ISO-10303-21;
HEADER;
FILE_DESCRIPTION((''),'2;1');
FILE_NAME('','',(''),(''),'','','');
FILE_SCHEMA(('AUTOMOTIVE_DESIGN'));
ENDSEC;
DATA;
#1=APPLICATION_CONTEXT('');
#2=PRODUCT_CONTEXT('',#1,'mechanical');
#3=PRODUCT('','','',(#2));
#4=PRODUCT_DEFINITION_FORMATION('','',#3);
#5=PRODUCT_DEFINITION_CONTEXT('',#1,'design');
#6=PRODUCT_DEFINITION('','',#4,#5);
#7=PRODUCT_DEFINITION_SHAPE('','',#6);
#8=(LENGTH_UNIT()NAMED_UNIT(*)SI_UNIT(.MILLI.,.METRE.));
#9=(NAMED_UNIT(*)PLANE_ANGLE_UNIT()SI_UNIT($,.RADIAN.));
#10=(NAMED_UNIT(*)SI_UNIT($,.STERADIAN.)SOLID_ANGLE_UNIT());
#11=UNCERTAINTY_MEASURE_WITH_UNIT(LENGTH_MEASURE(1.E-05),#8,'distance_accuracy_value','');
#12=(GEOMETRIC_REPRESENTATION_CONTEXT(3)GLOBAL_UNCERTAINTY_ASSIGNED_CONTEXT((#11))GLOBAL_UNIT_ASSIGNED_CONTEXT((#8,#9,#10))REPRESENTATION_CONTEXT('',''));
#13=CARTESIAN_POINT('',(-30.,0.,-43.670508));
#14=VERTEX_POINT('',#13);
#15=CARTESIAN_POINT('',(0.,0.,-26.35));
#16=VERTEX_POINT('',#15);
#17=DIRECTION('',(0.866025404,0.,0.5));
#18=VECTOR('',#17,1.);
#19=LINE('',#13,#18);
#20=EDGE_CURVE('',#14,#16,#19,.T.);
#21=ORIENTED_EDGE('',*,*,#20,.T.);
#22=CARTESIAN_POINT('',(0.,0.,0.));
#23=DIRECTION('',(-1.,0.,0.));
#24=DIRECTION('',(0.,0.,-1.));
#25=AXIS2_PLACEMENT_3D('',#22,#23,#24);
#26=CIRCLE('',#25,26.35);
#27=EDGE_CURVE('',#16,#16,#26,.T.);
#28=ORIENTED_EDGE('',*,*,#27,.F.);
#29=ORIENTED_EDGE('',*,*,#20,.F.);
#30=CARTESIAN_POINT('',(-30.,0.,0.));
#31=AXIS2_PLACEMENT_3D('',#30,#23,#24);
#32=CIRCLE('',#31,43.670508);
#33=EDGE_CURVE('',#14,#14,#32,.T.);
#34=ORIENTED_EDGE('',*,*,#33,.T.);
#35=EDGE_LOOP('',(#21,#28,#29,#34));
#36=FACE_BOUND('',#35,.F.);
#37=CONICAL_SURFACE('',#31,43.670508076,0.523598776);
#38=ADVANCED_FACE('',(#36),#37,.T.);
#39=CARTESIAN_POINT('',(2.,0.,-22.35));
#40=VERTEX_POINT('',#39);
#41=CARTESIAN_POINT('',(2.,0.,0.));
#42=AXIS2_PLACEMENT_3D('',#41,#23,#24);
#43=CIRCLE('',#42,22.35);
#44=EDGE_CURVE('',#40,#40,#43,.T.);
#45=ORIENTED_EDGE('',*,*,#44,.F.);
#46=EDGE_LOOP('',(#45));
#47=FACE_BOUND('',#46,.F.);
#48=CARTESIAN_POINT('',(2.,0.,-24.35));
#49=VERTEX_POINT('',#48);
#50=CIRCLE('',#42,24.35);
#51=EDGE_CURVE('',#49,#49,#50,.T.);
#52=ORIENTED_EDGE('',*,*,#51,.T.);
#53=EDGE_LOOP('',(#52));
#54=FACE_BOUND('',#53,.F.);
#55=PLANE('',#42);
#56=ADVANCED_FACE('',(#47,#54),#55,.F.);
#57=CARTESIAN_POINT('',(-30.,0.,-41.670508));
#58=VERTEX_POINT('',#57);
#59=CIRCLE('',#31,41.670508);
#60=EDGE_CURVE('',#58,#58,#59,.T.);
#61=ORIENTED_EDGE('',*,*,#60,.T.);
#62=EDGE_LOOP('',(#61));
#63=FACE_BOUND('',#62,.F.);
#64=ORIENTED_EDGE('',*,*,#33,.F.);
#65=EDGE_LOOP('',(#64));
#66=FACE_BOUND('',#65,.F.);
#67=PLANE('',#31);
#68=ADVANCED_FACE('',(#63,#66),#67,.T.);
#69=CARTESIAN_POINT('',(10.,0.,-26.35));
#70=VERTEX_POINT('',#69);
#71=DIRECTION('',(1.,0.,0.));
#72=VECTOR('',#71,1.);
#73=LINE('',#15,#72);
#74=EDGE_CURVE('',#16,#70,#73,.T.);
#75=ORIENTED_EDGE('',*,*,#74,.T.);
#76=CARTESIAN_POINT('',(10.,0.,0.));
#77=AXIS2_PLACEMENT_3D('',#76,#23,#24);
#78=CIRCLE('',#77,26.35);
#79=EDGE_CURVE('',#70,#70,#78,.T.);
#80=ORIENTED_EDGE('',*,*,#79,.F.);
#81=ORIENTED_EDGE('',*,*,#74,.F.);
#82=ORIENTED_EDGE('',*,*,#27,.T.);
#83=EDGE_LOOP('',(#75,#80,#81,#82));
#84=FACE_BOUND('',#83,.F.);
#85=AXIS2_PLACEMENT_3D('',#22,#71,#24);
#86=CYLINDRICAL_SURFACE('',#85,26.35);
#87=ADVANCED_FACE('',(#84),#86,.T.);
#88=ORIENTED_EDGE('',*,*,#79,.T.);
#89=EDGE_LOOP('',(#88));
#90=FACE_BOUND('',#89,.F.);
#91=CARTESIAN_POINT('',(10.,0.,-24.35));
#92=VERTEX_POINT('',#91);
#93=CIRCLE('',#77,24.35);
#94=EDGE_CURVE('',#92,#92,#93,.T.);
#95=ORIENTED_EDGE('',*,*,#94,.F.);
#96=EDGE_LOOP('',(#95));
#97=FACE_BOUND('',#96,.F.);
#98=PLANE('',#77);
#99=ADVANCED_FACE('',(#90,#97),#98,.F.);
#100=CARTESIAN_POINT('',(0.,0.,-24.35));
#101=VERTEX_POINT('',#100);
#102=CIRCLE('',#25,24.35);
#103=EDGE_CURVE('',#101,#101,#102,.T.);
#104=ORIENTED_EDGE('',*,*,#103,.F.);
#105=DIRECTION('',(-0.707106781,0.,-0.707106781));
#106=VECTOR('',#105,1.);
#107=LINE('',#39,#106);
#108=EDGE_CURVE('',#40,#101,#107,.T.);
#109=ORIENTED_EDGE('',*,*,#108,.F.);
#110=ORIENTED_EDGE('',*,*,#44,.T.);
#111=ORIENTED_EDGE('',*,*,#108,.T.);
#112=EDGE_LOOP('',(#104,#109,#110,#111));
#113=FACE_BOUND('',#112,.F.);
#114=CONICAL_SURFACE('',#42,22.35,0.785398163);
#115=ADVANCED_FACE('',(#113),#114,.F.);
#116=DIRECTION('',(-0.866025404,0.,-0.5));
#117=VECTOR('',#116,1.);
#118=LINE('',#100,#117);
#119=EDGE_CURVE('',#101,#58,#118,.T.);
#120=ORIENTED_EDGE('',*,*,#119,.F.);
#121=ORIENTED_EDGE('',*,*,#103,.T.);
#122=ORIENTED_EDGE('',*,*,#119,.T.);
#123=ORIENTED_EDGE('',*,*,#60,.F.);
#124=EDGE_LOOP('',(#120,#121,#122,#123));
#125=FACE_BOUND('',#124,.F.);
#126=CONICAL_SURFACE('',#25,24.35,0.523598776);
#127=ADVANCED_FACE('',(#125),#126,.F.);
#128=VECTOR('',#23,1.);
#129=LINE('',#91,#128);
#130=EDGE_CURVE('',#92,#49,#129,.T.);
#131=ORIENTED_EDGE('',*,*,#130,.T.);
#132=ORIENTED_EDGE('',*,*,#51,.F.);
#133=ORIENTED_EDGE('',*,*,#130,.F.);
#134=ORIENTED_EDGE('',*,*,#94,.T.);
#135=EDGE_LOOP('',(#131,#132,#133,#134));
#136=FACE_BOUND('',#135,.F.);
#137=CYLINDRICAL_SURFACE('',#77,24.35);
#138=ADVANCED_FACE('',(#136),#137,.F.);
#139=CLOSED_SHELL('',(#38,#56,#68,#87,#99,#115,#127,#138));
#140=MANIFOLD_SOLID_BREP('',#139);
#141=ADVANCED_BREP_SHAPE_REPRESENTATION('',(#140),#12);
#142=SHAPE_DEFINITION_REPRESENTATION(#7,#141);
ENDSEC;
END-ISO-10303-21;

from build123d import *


with BuildPart() as f1:
    # F0 (on Front) → F1 (revolve)
    with BuildSketch(Plane.XZ):
        Polygon((-30, -41.6705080757), (-30, -43.6705080757), (0, -26.35), (10, -26.35), (10, -24.35), (2, -24.35), (2, -22.35), (0, -24.35), align=None)
    revolve(axis=Axis((-15, 0, 0), (-1, 0, 0)))

    # F0 (on Front) → F2 (revolve)
    with BuildSketch(Plane.XZ):
        Polygon((-30, -41.6705080757), (-30, -43.6705080757), (0, -26.35), (10, -26.35), (10, -24.35), (2, -24.35), (2, -22.35), (0, -24.35), align=None)
    revolve(axis=Axis((-15, 0, 0), (-1, 0, 0)))


solid = f1.part
